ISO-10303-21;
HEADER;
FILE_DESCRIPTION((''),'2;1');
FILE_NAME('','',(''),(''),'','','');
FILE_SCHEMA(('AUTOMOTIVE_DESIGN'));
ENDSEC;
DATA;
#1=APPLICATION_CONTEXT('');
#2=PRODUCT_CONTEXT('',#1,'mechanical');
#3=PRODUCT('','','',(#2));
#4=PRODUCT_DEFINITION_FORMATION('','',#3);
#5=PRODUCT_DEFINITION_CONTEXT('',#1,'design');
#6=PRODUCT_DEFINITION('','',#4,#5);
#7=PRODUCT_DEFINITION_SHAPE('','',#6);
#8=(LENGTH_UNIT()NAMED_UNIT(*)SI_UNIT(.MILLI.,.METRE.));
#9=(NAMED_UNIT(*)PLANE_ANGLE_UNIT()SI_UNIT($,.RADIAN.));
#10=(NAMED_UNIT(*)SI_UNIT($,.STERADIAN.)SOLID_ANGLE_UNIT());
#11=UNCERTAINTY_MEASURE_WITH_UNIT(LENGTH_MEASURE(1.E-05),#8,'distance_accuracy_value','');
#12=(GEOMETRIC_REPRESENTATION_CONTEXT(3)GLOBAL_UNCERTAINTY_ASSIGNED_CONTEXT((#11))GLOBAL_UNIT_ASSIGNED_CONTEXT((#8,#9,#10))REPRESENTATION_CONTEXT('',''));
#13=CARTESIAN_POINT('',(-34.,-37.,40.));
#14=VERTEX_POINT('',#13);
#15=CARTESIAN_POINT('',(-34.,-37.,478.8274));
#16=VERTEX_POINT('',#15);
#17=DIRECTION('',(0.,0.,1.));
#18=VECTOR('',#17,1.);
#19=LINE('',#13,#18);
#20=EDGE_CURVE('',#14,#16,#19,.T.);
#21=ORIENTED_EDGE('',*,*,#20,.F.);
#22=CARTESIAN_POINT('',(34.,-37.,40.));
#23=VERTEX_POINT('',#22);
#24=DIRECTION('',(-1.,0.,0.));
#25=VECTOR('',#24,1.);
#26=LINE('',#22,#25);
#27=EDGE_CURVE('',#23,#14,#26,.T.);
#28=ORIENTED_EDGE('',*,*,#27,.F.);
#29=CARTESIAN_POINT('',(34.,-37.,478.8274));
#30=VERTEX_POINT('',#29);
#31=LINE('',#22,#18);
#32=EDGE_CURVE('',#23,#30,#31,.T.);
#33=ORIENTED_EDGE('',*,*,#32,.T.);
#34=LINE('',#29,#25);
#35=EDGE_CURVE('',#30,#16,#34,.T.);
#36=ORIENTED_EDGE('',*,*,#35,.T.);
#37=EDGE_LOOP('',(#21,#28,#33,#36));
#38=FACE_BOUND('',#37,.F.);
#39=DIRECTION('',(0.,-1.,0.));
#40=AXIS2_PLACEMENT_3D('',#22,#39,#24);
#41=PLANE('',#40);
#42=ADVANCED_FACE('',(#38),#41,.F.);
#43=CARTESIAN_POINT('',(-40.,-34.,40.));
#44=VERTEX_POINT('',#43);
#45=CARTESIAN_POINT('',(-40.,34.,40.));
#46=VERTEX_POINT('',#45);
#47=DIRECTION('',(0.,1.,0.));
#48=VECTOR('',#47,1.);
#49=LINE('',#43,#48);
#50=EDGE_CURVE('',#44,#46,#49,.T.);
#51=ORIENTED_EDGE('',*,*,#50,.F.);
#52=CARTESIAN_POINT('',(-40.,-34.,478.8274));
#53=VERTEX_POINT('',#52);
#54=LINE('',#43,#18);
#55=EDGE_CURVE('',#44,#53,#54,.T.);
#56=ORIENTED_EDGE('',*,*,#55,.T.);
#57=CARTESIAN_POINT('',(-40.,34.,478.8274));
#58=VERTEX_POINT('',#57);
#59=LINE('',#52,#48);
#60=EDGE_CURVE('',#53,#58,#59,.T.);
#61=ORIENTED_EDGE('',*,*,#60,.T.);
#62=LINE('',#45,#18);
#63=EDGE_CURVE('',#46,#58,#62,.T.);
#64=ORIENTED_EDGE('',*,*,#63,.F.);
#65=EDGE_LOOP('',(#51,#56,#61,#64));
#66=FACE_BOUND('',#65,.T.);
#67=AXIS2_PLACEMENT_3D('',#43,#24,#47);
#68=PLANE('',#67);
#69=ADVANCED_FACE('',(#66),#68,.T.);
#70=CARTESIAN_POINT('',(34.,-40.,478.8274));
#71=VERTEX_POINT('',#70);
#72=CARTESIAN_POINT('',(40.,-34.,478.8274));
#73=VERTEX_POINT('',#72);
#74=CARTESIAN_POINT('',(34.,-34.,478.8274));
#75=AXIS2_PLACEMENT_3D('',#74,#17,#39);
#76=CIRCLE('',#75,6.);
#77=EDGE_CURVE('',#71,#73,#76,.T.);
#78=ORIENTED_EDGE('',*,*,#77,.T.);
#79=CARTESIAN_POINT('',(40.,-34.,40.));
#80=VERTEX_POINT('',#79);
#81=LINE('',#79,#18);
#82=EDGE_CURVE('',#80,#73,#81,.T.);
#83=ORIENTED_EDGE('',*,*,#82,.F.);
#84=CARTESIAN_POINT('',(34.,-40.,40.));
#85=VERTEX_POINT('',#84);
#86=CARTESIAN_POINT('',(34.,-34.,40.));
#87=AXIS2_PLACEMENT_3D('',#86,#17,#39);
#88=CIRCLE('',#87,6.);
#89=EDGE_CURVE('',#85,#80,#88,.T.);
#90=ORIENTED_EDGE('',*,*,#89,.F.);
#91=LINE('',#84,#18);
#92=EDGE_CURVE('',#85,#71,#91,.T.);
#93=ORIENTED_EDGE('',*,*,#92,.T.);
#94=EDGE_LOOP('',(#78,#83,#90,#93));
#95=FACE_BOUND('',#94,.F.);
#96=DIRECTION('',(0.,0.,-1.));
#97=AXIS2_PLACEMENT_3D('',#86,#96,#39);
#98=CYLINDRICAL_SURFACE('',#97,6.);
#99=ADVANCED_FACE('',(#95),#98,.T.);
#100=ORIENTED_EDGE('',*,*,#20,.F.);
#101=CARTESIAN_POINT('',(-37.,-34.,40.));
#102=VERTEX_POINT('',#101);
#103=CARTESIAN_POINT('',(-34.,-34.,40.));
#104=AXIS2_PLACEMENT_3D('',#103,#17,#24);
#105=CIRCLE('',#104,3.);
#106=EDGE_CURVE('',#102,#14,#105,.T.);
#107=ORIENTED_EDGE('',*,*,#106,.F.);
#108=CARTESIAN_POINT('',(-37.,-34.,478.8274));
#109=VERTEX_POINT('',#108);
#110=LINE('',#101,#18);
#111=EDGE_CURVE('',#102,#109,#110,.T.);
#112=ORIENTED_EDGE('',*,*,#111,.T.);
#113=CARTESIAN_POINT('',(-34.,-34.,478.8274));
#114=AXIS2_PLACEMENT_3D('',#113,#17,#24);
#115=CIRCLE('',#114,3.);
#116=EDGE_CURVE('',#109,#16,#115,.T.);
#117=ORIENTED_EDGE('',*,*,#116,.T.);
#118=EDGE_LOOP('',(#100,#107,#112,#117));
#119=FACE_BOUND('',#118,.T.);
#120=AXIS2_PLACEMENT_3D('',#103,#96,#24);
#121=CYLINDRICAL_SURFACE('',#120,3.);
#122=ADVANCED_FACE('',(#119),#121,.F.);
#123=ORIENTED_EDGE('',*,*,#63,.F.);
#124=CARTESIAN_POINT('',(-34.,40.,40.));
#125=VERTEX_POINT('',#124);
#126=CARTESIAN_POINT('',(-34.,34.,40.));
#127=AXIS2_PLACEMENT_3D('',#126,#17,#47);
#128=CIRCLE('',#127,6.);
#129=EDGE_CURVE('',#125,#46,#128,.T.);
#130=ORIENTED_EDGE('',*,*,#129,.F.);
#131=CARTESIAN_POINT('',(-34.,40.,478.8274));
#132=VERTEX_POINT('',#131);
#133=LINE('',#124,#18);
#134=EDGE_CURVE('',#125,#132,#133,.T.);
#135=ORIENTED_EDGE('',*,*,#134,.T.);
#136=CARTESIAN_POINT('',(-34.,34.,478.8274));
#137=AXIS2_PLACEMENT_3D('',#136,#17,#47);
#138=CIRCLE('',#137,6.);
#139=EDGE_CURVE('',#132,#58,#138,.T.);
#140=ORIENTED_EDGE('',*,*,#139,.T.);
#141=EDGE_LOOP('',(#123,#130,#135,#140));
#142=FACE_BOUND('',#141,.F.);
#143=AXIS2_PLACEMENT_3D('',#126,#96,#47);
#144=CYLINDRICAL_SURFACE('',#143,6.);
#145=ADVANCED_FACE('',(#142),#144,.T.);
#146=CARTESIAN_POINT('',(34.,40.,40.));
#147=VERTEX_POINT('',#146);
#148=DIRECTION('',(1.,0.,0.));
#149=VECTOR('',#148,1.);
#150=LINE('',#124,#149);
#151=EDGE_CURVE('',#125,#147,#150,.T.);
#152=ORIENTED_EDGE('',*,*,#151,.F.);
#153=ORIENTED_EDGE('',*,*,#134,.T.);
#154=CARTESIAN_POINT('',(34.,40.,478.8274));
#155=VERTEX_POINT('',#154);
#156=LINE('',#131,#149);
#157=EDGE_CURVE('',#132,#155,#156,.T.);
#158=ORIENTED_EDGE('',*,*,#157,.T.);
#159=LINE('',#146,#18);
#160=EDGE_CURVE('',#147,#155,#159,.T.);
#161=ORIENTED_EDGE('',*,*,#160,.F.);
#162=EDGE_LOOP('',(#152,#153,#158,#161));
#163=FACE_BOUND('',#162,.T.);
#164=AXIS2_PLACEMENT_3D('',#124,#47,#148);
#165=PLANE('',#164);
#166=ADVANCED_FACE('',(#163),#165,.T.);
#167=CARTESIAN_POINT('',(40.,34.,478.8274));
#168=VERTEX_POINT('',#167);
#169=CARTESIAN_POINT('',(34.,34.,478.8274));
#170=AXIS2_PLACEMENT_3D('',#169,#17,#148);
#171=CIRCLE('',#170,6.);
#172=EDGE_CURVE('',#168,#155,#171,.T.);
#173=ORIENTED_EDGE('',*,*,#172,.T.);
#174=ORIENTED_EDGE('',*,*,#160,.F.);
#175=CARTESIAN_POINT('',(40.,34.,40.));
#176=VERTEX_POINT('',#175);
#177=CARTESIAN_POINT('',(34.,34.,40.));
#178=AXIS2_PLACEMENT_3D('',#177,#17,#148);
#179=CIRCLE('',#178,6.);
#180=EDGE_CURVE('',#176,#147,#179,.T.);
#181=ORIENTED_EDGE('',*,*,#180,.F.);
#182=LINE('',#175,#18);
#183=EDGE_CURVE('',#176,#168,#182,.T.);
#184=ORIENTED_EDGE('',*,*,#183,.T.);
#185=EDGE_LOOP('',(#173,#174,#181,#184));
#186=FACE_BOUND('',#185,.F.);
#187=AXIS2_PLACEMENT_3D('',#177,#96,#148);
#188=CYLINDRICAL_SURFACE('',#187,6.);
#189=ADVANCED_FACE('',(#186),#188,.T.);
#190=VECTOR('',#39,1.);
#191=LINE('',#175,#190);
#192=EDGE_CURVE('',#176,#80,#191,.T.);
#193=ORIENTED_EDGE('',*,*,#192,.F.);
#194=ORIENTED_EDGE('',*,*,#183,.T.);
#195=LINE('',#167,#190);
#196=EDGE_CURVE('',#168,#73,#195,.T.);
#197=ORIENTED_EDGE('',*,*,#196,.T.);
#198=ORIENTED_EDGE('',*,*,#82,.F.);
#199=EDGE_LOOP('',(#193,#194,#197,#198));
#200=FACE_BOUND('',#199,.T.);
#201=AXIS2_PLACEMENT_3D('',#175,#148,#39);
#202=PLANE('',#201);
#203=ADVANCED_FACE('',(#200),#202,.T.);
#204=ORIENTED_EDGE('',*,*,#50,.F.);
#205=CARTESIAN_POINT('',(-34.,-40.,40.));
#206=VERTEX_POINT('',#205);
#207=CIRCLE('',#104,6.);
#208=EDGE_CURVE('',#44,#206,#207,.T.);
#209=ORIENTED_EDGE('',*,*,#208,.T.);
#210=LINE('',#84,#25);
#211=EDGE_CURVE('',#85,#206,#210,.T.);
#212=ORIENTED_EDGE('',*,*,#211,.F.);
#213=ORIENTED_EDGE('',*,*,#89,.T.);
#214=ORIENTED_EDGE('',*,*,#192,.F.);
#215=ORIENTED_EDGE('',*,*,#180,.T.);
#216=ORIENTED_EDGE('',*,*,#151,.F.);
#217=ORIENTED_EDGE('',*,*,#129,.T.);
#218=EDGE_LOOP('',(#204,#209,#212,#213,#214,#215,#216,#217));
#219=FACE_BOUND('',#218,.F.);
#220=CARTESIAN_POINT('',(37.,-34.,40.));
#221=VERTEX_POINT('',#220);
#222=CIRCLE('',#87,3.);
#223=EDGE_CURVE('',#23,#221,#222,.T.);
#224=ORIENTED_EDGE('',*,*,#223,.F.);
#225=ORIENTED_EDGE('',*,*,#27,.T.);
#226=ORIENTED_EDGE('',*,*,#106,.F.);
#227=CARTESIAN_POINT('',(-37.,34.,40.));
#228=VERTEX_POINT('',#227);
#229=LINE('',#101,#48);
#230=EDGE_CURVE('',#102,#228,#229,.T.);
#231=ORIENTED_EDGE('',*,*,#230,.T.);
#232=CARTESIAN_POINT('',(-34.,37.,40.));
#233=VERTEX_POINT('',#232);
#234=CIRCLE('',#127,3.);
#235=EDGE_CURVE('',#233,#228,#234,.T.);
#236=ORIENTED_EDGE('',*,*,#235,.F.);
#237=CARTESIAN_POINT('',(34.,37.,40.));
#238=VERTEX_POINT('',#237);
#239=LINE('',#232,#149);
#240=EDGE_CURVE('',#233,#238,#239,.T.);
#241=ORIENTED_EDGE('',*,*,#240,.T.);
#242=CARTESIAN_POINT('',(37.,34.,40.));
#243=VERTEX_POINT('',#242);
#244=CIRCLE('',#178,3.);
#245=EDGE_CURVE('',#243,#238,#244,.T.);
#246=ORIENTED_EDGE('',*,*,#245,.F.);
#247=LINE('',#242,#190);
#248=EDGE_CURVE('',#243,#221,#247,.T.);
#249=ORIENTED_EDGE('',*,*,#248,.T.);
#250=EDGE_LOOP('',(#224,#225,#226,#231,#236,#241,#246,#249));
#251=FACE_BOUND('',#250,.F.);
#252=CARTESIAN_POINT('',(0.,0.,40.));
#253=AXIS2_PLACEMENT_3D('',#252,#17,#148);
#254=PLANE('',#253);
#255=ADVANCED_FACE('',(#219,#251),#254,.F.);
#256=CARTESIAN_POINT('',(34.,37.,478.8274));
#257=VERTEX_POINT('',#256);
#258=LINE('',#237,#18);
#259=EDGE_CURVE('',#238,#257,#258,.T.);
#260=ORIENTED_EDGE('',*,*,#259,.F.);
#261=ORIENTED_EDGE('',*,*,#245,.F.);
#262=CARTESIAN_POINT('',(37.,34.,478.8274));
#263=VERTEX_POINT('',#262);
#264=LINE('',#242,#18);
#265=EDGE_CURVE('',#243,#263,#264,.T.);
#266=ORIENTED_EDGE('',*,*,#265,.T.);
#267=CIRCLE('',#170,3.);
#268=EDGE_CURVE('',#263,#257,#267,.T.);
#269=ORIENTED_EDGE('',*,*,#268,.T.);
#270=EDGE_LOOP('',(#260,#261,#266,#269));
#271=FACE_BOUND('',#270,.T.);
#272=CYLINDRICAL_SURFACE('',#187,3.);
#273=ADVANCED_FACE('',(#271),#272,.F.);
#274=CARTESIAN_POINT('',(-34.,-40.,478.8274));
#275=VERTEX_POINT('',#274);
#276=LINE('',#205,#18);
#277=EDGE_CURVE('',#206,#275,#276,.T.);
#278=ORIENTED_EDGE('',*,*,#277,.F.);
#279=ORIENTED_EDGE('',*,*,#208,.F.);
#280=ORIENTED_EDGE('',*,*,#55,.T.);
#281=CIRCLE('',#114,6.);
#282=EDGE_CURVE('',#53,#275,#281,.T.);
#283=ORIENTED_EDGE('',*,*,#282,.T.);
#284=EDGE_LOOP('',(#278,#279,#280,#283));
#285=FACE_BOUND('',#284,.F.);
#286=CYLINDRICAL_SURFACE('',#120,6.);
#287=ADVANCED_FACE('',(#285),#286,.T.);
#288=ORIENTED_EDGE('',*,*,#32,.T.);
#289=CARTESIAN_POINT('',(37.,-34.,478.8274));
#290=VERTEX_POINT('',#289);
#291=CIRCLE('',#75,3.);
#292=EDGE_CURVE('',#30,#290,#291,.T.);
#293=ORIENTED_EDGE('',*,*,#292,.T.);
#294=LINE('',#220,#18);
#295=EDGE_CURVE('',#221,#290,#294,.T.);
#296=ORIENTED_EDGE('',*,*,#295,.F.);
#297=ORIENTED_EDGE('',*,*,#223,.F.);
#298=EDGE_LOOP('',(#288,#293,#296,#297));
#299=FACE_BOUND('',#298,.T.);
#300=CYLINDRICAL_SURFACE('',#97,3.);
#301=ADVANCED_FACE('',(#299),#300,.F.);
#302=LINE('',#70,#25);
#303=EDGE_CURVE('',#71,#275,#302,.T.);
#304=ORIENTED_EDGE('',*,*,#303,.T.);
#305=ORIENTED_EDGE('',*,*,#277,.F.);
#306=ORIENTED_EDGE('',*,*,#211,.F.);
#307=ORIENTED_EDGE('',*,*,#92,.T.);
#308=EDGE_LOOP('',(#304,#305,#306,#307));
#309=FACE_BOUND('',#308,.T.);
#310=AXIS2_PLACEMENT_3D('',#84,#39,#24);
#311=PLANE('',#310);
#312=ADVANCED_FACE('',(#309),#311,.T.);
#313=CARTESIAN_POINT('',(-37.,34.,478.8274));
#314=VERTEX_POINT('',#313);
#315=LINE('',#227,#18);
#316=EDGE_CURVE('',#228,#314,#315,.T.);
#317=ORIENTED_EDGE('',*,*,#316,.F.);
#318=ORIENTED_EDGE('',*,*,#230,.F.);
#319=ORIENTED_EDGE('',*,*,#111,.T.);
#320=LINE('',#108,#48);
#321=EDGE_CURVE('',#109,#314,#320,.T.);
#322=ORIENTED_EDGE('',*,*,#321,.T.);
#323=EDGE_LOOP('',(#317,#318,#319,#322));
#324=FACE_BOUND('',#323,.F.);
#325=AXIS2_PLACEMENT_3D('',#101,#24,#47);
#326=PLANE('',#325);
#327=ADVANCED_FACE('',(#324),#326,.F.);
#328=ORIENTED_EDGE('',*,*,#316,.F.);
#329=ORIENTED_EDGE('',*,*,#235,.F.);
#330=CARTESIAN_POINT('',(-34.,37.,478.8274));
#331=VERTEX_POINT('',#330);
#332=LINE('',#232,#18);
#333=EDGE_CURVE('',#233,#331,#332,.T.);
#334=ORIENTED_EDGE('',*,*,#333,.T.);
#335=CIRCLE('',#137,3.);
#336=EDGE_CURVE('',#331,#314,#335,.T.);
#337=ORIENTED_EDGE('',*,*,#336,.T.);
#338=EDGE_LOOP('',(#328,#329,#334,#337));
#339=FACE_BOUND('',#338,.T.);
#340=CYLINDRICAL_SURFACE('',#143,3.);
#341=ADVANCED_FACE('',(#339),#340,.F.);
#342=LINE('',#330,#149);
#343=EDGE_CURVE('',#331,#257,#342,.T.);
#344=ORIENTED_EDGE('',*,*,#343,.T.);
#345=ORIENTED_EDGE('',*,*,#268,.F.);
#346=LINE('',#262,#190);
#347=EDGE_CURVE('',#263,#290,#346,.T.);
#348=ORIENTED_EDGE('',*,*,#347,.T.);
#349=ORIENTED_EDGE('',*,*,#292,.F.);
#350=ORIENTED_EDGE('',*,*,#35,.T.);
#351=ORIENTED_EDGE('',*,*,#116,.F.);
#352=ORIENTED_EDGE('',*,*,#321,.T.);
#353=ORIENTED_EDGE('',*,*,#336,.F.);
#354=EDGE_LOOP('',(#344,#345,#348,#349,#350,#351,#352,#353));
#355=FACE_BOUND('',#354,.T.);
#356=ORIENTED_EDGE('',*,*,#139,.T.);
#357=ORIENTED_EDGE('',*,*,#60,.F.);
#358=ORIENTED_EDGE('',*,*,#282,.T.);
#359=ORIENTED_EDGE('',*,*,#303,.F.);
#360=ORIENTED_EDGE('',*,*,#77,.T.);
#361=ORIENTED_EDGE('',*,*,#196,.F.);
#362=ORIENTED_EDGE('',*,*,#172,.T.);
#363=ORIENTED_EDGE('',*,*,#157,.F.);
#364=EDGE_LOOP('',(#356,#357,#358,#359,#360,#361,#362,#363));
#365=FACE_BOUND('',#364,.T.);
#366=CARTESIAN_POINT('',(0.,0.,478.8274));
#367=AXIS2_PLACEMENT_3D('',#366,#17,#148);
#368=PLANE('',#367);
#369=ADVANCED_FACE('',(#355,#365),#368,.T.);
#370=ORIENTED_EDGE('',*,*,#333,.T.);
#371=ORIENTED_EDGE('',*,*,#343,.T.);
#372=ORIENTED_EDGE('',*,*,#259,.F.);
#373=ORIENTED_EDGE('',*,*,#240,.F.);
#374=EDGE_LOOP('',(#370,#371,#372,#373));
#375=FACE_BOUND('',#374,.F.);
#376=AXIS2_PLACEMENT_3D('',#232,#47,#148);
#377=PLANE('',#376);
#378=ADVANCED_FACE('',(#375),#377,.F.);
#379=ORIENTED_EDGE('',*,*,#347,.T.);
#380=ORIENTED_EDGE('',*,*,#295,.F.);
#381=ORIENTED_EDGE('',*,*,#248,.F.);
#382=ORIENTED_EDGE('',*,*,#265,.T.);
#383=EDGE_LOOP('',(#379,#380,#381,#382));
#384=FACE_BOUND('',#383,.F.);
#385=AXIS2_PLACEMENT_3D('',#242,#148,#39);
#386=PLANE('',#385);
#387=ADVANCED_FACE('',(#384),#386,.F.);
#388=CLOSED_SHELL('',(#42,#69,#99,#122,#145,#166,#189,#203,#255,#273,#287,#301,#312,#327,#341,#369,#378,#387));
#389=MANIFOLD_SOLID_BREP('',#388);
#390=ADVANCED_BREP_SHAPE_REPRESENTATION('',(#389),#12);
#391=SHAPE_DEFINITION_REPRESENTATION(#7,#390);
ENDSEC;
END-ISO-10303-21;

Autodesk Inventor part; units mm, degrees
ref_plane "YZ Plane" through (0, 0, 0) normal (1, 0, 0) x (0, 1, 0)
ref_plane "Start Plane" through (0, 0, 40) normal (0, 0, 1) x (1, 0, 0)
ref_plane "End Plane" through (0, 0, 478.8274) normal (0, 0, 1) x (1, 0, 0)
sketch "Sketch" plane through (0, 0, 0) normal (0, 0, 1) x (1, 0, 0)
  line L0 (-40, -34) -> (-40, 34)
  line L1 (-34, 40) -> (34, 40)
  line L2 (40, 34) -> (40, -34)
  line L3 (34, -40) -> (-34, -40)
  arc A0 (-40, -34) -> (-34, -40) centre (-34, -34) ccw
  arc A1 (40, 34) -> (34, 40) centre (34, 34) ccw
  arc A2 (-34, 40) -> (-40, 34) centre (-34, 34) ccw
  arc A3 (34, -40) -> (40, -34) centre (34, -34) ccw
  arc A4 (-34, 37) -> (-37, 34) centre (-34, 34) ccw
  line L4 (-34, 37) -> (34, 37)
  arc A5 (37, 34) -> (34, 37) centre (34, 34) ccw
  line L5 (37, 34) -> (37, -34)
  arc A6 (34, -37) -> (37, -34) centre (34, -34) ccw
  line L6 (34, -37) -> (-34, -37)
  arc A7 (-37, -34) -> (-34, -37) centre (-34, -34) ccw
  line L7 (-37, -34) -> (-37, 34)
  line L8 (0, 57.7397) -> (0, -57.7397) construction
  line L9 (-57.7397, 0) -> (57.7397, 0) construction
  dimension "d7" = 6
  dimension "d9" = 80
  dimension "d11" = 80
  dimension "d12" = 3
  dimension "d15" = 40
  dimension "d16" = 40
extrude "Body" add sketch "Sketch" along normal up to surface (438.8274 mm away) from surface at 40
sketch "Sketch3" plane through (0, 0, 0) normal (0, 0, 1) x (1, 0, 0)
  line L0 (0, 0) -> (10, 0)
ref_plane "Work Plane3" through (0, 0, 0) normal (0, -1, 0) x (1, 0, 0)
sketch "Sketch4" plane through (0, 0, 0) normal (0, -1, 0) x (1, 0, 0)
  line L0 (-2, 40) -> (12, 40) projected
  line L1 (-2, 478.8274) -> (12, 478.8274) projected
  dimension "d18" = 438.8274
equation "\"d7\" = G_IR"
equation "\"d9\" = G_W"
equation "\"d11\" = G_H"
equation "\"d12\" = G_T"
equation "\"d15\" = 0.5 * d9"
equation "\"d16\" = 0.5 * d11"
equation "\"d3\" = G_L"
equation "\"G_W\" = 80"
equation "\"G_H\" = 80"
equation "\"G_T\" = 3"
equation "\"G_IR\" = 6"
equation "\"G_L\" = d18"
equation "\"d14\" = G_OFFSET_END + B_L"
equation "\"B_L\" = 518.82739"
equation "\"G_OFFSET_END\" = -40"
properties part number "ISO 10799-2 - 80x80x3 - 438,83" material "Steel, Mild"
